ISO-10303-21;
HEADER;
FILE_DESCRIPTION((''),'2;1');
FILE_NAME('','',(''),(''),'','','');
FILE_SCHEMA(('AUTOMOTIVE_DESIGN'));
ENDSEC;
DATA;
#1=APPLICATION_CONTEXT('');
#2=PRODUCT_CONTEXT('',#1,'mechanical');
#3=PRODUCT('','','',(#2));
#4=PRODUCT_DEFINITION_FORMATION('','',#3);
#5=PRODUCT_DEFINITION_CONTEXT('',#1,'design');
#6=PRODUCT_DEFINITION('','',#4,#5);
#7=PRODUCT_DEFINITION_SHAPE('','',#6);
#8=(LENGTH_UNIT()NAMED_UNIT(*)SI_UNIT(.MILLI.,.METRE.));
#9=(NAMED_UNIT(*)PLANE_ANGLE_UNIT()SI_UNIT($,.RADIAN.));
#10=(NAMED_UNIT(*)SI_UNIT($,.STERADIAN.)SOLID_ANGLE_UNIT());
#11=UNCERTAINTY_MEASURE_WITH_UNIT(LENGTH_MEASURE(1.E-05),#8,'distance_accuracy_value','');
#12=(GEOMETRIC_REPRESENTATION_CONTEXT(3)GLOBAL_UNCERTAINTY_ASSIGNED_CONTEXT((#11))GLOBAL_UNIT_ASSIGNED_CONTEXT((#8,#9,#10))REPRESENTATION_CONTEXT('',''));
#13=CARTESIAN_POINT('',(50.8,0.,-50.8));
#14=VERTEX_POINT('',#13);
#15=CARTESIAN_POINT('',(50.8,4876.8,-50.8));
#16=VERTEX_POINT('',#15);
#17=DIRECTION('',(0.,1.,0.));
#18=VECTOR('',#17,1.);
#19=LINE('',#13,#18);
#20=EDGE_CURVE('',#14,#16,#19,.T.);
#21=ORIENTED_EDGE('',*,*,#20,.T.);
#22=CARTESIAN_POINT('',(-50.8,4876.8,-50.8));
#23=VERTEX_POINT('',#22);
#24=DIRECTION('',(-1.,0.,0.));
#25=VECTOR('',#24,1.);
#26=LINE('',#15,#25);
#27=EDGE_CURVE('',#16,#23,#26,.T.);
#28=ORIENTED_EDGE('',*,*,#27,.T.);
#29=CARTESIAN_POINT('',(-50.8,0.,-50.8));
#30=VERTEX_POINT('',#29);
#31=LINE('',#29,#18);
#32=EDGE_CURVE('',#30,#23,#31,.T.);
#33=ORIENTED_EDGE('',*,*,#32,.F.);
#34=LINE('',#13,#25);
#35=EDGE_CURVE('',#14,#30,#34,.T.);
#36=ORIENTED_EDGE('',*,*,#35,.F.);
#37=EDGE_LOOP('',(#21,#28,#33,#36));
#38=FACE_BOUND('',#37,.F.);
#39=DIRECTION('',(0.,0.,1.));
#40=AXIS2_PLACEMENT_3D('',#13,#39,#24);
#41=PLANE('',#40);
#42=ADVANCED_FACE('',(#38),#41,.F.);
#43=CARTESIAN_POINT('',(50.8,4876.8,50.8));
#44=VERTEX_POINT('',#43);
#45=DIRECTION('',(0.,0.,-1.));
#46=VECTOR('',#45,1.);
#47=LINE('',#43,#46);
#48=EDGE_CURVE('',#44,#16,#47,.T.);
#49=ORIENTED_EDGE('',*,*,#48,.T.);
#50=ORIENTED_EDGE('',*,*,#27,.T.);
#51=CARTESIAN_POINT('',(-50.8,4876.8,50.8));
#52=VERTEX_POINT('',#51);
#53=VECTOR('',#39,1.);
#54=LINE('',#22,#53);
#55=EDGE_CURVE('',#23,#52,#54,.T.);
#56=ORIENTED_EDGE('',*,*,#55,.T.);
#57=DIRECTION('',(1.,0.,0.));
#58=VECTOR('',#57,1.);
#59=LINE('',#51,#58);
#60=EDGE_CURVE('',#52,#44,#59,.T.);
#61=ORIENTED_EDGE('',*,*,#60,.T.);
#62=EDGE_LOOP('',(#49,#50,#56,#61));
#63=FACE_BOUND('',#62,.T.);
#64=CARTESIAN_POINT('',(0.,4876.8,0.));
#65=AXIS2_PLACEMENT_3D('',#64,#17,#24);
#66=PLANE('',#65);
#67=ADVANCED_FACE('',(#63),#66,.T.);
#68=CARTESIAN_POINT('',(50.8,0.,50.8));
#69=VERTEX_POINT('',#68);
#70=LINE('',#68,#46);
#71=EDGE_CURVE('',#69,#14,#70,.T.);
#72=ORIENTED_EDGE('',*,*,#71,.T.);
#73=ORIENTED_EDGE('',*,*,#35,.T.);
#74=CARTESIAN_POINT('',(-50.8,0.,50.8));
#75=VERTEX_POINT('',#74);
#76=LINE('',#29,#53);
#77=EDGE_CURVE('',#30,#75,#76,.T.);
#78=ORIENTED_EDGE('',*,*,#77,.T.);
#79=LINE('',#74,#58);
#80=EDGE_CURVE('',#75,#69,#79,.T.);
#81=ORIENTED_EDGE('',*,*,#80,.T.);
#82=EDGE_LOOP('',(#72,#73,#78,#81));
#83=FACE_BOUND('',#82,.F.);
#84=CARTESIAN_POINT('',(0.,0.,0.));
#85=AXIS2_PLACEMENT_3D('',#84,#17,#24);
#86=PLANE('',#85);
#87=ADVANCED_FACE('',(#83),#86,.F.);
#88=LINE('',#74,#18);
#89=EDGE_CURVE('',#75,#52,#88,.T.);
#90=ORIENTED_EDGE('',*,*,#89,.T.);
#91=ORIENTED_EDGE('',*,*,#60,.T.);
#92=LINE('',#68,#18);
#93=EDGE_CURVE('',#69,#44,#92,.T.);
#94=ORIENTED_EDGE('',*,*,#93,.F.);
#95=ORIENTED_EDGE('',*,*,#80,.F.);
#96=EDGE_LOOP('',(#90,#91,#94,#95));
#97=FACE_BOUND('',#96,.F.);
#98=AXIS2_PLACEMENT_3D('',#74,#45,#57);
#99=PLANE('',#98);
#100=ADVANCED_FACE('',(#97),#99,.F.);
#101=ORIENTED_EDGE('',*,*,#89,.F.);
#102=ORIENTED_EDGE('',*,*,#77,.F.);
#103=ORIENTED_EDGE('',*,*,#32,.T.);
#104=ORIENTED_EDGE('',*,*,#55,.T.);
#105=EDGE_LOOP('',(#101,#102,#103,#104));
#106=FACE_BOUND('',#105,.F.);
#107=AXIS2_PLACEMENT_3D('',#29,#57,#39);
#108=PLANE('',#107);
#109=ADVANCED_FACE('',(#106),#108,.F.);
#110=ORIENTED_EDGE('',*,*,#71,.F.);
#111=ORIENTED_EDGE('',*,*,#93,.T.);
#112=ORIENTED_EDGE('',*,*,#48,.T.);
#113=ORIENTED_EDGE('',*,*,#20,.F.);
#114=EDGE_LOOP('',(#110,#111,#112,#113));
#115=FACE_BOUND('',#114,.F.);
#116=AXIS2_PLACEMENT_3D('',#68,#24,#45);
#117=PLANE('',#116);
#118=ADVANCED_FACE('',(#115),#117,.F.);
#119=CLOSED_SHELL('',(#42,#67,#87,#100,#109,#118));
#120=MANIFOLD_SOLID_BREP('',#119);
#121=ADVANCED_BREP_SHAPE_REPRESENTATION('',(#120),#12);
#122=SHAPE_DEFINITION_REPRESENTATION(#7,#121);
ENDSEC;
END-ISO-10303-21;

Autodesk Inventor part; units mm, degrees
ref_plane "YZ Plane" through (0, 0, 0) normal (1, 0, 0) x (0, 1, 0)
ref_plane "XZ Plane" through (0, 0, 0) normal (0, 1, 0) x (-1, 0, 0)
ref_plane "XY Plane" through (0, 0, 0) normal (0, 0, 1) x (1, 0, 0)
sketch "Sketch1" plane through (0, 0, 0) normal (0, 1, 0) x (-1, 0, 0)
  line L0 (-50.8, 50.8) -> (-50.8, -50.8)
  line L1 (-50.8, -50.8) -> (50.8, -50.8)
  line L2 (50.8, -50.8) -> (50.8, 50.8)
  line L3 (50.8, 50.8) -> (-50.8, 50.8)
  line L4 (-50.8, 50.8) -> (50.8, -50.8) construction
  line L5 (-50.8, -50.8) -> (50.8, 50.8) construction
  point P0 (0, 0)
  dimension "d0" = 101.6
  dimension "d1" = 101.6
extrude "Extrusion1" add sketch "Sketch1" along normal blind 4876.8
properties part number "4x4x192" material "Wood (Birch)"
